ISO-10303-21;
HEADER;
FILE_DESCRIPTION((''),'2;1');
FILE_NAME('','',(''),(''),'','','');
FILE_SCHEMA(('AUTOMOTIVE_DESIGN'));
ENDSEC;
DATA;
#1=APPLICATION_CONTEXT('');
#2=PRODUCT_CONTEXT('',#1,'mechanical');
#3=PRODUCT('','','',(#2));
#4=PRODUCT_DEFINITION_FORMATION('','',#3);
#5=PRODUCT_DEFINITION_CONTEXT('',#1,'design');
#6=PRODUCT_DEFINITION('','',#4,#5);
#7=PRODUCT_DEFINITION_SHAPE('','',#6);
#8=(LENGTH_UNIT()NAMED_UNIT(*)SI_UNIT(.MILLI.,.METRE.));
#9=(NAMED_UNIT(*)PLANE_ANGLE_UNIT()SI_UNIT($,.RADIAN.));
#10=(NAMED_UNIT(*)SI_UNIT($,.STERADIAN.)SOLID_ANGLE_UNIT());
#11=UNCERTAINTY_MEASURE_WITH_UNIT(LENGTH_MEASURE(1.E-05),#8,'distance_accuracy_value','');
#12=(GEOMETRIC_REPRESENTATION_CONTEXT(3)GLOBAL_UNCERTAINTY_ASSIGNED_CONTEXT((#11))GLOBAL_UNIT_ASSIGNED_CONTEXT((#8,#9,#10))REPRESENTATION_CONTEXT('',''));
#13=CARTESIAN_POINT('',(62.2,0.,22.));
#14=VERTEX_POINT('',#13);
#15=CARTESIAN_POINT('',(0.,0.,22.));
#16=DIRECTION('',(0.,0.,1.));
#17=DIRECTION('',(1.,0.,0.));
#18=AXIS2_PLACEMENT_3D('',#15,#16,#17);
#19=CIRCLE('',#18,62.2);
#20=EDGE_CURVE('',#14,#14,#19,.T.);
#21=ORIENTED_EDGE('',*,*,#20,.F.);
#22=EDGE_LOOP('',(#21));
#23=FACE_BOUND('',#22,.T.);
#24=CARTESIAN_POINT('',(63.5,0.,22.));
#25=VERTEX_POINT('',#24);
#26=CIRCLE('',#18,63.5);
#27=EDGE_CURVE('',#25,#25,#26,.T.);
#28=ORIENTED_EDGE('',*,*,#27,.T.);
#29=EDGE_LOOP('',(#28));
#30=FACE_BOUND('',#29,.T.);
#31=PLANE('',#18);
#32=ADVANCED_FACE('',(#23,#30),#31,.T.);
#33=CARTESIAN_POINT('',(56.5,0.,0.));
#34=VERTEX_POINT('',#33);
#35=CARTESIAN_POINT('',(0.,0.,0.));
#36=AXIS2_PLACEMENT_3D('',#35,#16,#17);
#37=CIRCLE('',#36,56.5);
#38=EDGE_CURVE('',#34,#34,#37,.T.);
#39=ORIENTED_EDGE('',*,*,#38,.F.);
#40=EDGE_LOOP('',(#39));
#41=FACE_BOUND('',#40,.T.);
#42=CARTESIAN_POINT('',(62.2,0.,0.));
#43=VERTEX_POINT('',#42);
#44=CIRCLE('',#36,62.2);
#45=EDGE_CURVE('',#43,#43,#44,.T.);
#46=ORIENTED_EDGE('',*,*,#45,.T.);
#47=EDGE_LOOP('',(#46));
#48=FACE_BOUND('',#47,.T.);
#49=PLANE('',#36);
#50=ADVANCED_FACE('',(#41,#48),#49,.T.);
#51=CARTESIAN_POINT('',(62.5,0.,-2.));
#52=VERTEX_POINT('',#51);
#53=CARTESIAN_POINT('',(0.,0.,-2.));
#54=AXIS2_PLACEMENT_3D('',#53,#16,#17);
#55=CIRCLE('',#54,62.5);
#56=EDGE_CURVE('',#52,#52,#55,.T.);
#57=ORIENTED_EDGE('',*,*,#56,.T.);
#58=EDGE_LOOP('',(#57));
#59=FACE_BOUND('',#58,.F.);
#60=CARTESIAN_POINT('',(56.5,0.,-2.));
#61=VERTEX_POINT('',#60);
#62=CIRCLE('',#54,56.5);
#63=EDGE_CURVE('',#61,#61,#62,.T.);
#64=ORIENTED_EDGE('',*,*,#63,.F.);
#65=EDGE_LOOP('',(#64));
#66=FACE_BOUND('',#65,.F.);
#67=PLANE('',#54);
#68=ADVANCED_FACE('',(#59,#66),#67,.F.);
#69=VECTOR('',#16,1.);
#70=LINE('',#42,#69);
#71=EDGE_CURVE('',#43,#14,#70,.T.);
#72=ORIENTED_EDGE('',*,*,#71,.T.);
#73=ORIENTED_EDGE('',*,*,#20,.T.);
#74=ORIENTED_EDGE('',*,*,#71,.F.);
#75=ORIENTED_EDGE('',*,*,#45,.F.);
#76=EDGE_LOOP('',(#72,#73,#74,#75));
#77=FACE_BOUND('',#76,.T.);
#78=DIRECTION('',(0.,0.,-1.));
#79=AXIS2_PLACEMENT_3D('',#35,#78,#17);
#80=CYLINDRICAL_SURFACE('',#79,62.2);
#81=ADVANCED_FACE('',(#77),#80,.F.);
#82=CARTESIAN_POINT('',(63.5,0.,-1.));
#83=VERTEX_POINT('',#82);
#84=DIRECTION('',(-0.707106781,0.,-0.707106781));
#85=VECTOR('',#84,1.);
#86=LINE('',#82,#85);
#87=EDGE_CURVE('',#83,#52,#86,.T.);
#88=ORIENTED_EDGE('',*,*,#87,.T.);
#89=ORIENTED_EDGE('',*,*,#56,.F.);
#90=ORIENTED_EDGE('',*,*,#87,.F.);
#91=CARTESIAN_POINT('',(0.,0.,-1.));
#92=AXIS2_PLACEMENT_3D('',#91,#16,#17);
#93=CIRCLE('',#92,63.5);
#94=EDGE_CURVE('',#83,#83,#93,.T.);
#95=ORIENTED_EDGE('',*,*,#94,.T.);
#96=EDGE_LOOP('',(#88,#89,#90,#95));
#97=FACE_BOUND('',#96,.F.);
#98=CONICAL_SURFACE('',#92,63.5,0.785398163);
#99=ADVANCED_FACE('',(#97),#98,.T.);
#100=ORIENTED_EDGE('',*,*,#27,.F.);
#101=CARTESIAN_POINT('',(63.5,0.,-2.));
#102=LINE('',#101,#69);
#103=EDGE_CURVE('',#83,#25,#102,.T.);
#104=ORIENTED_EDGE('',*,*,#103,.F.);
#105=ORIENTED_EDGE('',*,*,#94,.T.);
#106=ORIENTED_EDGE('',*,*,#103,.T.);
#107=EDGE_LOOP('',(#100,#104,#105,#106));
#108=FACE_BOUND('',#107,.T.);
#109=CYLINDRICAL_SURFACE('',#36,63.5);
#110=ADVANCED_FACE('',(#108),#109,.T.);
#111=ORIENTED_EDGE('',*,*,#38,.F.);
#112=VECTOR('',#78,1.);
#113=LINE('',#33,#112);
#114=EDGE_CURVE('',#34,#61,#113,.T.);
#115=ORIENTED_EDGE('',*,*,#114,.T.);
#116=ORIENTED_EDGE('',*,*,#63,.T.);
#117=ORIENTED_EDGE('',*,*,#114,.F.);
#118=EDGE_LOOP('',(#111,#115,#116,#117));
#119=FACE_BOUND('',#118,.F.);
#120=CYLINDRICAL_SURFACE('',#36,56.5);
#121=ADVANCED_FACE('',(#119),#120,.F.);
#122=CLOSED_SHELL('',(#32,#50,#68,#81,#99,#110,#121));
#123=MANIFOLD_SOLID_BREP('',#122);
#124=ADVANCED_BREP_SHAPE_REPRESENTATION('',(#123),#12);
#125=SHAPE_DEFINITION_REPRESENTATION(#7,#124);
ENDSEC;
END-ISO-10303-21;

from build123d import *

# Parameters (mm, degrees)
F0_R     = 63.5
F0_R_2   = 62.2
F1_DEPTH = 22
F2_R     = 63.5
F2_R_2   = 56.5
F3_DEPTH = 2
F4_SIZE  = 1


with BuildPart() as f1:
    # F0 (on Top) → F1 (new body)
    with BuildSketch(Plane.XY):
        Circle(F0_R)
        Circle(F0_R_2, mode=Mode.SUBTRACT)
    extrude(amount=F1_DEPTH)

    # F2 (on Top) → F3 (join)
    with BuildSketch(Plane.XY):
        Circle(F2_R)
        Circle(F2_R_2, mode=Mode.SUBTRACT)
    extrude(amount=-F3_DEPTH)

    # F4
    f4_edges = [f1.edges().sort_by_distance(p)[0] for p in [
        (-63.5, 0, -2),
    ]]
    chamfer(f4_edges, length=F4_SIZE)


solid = f1.part
